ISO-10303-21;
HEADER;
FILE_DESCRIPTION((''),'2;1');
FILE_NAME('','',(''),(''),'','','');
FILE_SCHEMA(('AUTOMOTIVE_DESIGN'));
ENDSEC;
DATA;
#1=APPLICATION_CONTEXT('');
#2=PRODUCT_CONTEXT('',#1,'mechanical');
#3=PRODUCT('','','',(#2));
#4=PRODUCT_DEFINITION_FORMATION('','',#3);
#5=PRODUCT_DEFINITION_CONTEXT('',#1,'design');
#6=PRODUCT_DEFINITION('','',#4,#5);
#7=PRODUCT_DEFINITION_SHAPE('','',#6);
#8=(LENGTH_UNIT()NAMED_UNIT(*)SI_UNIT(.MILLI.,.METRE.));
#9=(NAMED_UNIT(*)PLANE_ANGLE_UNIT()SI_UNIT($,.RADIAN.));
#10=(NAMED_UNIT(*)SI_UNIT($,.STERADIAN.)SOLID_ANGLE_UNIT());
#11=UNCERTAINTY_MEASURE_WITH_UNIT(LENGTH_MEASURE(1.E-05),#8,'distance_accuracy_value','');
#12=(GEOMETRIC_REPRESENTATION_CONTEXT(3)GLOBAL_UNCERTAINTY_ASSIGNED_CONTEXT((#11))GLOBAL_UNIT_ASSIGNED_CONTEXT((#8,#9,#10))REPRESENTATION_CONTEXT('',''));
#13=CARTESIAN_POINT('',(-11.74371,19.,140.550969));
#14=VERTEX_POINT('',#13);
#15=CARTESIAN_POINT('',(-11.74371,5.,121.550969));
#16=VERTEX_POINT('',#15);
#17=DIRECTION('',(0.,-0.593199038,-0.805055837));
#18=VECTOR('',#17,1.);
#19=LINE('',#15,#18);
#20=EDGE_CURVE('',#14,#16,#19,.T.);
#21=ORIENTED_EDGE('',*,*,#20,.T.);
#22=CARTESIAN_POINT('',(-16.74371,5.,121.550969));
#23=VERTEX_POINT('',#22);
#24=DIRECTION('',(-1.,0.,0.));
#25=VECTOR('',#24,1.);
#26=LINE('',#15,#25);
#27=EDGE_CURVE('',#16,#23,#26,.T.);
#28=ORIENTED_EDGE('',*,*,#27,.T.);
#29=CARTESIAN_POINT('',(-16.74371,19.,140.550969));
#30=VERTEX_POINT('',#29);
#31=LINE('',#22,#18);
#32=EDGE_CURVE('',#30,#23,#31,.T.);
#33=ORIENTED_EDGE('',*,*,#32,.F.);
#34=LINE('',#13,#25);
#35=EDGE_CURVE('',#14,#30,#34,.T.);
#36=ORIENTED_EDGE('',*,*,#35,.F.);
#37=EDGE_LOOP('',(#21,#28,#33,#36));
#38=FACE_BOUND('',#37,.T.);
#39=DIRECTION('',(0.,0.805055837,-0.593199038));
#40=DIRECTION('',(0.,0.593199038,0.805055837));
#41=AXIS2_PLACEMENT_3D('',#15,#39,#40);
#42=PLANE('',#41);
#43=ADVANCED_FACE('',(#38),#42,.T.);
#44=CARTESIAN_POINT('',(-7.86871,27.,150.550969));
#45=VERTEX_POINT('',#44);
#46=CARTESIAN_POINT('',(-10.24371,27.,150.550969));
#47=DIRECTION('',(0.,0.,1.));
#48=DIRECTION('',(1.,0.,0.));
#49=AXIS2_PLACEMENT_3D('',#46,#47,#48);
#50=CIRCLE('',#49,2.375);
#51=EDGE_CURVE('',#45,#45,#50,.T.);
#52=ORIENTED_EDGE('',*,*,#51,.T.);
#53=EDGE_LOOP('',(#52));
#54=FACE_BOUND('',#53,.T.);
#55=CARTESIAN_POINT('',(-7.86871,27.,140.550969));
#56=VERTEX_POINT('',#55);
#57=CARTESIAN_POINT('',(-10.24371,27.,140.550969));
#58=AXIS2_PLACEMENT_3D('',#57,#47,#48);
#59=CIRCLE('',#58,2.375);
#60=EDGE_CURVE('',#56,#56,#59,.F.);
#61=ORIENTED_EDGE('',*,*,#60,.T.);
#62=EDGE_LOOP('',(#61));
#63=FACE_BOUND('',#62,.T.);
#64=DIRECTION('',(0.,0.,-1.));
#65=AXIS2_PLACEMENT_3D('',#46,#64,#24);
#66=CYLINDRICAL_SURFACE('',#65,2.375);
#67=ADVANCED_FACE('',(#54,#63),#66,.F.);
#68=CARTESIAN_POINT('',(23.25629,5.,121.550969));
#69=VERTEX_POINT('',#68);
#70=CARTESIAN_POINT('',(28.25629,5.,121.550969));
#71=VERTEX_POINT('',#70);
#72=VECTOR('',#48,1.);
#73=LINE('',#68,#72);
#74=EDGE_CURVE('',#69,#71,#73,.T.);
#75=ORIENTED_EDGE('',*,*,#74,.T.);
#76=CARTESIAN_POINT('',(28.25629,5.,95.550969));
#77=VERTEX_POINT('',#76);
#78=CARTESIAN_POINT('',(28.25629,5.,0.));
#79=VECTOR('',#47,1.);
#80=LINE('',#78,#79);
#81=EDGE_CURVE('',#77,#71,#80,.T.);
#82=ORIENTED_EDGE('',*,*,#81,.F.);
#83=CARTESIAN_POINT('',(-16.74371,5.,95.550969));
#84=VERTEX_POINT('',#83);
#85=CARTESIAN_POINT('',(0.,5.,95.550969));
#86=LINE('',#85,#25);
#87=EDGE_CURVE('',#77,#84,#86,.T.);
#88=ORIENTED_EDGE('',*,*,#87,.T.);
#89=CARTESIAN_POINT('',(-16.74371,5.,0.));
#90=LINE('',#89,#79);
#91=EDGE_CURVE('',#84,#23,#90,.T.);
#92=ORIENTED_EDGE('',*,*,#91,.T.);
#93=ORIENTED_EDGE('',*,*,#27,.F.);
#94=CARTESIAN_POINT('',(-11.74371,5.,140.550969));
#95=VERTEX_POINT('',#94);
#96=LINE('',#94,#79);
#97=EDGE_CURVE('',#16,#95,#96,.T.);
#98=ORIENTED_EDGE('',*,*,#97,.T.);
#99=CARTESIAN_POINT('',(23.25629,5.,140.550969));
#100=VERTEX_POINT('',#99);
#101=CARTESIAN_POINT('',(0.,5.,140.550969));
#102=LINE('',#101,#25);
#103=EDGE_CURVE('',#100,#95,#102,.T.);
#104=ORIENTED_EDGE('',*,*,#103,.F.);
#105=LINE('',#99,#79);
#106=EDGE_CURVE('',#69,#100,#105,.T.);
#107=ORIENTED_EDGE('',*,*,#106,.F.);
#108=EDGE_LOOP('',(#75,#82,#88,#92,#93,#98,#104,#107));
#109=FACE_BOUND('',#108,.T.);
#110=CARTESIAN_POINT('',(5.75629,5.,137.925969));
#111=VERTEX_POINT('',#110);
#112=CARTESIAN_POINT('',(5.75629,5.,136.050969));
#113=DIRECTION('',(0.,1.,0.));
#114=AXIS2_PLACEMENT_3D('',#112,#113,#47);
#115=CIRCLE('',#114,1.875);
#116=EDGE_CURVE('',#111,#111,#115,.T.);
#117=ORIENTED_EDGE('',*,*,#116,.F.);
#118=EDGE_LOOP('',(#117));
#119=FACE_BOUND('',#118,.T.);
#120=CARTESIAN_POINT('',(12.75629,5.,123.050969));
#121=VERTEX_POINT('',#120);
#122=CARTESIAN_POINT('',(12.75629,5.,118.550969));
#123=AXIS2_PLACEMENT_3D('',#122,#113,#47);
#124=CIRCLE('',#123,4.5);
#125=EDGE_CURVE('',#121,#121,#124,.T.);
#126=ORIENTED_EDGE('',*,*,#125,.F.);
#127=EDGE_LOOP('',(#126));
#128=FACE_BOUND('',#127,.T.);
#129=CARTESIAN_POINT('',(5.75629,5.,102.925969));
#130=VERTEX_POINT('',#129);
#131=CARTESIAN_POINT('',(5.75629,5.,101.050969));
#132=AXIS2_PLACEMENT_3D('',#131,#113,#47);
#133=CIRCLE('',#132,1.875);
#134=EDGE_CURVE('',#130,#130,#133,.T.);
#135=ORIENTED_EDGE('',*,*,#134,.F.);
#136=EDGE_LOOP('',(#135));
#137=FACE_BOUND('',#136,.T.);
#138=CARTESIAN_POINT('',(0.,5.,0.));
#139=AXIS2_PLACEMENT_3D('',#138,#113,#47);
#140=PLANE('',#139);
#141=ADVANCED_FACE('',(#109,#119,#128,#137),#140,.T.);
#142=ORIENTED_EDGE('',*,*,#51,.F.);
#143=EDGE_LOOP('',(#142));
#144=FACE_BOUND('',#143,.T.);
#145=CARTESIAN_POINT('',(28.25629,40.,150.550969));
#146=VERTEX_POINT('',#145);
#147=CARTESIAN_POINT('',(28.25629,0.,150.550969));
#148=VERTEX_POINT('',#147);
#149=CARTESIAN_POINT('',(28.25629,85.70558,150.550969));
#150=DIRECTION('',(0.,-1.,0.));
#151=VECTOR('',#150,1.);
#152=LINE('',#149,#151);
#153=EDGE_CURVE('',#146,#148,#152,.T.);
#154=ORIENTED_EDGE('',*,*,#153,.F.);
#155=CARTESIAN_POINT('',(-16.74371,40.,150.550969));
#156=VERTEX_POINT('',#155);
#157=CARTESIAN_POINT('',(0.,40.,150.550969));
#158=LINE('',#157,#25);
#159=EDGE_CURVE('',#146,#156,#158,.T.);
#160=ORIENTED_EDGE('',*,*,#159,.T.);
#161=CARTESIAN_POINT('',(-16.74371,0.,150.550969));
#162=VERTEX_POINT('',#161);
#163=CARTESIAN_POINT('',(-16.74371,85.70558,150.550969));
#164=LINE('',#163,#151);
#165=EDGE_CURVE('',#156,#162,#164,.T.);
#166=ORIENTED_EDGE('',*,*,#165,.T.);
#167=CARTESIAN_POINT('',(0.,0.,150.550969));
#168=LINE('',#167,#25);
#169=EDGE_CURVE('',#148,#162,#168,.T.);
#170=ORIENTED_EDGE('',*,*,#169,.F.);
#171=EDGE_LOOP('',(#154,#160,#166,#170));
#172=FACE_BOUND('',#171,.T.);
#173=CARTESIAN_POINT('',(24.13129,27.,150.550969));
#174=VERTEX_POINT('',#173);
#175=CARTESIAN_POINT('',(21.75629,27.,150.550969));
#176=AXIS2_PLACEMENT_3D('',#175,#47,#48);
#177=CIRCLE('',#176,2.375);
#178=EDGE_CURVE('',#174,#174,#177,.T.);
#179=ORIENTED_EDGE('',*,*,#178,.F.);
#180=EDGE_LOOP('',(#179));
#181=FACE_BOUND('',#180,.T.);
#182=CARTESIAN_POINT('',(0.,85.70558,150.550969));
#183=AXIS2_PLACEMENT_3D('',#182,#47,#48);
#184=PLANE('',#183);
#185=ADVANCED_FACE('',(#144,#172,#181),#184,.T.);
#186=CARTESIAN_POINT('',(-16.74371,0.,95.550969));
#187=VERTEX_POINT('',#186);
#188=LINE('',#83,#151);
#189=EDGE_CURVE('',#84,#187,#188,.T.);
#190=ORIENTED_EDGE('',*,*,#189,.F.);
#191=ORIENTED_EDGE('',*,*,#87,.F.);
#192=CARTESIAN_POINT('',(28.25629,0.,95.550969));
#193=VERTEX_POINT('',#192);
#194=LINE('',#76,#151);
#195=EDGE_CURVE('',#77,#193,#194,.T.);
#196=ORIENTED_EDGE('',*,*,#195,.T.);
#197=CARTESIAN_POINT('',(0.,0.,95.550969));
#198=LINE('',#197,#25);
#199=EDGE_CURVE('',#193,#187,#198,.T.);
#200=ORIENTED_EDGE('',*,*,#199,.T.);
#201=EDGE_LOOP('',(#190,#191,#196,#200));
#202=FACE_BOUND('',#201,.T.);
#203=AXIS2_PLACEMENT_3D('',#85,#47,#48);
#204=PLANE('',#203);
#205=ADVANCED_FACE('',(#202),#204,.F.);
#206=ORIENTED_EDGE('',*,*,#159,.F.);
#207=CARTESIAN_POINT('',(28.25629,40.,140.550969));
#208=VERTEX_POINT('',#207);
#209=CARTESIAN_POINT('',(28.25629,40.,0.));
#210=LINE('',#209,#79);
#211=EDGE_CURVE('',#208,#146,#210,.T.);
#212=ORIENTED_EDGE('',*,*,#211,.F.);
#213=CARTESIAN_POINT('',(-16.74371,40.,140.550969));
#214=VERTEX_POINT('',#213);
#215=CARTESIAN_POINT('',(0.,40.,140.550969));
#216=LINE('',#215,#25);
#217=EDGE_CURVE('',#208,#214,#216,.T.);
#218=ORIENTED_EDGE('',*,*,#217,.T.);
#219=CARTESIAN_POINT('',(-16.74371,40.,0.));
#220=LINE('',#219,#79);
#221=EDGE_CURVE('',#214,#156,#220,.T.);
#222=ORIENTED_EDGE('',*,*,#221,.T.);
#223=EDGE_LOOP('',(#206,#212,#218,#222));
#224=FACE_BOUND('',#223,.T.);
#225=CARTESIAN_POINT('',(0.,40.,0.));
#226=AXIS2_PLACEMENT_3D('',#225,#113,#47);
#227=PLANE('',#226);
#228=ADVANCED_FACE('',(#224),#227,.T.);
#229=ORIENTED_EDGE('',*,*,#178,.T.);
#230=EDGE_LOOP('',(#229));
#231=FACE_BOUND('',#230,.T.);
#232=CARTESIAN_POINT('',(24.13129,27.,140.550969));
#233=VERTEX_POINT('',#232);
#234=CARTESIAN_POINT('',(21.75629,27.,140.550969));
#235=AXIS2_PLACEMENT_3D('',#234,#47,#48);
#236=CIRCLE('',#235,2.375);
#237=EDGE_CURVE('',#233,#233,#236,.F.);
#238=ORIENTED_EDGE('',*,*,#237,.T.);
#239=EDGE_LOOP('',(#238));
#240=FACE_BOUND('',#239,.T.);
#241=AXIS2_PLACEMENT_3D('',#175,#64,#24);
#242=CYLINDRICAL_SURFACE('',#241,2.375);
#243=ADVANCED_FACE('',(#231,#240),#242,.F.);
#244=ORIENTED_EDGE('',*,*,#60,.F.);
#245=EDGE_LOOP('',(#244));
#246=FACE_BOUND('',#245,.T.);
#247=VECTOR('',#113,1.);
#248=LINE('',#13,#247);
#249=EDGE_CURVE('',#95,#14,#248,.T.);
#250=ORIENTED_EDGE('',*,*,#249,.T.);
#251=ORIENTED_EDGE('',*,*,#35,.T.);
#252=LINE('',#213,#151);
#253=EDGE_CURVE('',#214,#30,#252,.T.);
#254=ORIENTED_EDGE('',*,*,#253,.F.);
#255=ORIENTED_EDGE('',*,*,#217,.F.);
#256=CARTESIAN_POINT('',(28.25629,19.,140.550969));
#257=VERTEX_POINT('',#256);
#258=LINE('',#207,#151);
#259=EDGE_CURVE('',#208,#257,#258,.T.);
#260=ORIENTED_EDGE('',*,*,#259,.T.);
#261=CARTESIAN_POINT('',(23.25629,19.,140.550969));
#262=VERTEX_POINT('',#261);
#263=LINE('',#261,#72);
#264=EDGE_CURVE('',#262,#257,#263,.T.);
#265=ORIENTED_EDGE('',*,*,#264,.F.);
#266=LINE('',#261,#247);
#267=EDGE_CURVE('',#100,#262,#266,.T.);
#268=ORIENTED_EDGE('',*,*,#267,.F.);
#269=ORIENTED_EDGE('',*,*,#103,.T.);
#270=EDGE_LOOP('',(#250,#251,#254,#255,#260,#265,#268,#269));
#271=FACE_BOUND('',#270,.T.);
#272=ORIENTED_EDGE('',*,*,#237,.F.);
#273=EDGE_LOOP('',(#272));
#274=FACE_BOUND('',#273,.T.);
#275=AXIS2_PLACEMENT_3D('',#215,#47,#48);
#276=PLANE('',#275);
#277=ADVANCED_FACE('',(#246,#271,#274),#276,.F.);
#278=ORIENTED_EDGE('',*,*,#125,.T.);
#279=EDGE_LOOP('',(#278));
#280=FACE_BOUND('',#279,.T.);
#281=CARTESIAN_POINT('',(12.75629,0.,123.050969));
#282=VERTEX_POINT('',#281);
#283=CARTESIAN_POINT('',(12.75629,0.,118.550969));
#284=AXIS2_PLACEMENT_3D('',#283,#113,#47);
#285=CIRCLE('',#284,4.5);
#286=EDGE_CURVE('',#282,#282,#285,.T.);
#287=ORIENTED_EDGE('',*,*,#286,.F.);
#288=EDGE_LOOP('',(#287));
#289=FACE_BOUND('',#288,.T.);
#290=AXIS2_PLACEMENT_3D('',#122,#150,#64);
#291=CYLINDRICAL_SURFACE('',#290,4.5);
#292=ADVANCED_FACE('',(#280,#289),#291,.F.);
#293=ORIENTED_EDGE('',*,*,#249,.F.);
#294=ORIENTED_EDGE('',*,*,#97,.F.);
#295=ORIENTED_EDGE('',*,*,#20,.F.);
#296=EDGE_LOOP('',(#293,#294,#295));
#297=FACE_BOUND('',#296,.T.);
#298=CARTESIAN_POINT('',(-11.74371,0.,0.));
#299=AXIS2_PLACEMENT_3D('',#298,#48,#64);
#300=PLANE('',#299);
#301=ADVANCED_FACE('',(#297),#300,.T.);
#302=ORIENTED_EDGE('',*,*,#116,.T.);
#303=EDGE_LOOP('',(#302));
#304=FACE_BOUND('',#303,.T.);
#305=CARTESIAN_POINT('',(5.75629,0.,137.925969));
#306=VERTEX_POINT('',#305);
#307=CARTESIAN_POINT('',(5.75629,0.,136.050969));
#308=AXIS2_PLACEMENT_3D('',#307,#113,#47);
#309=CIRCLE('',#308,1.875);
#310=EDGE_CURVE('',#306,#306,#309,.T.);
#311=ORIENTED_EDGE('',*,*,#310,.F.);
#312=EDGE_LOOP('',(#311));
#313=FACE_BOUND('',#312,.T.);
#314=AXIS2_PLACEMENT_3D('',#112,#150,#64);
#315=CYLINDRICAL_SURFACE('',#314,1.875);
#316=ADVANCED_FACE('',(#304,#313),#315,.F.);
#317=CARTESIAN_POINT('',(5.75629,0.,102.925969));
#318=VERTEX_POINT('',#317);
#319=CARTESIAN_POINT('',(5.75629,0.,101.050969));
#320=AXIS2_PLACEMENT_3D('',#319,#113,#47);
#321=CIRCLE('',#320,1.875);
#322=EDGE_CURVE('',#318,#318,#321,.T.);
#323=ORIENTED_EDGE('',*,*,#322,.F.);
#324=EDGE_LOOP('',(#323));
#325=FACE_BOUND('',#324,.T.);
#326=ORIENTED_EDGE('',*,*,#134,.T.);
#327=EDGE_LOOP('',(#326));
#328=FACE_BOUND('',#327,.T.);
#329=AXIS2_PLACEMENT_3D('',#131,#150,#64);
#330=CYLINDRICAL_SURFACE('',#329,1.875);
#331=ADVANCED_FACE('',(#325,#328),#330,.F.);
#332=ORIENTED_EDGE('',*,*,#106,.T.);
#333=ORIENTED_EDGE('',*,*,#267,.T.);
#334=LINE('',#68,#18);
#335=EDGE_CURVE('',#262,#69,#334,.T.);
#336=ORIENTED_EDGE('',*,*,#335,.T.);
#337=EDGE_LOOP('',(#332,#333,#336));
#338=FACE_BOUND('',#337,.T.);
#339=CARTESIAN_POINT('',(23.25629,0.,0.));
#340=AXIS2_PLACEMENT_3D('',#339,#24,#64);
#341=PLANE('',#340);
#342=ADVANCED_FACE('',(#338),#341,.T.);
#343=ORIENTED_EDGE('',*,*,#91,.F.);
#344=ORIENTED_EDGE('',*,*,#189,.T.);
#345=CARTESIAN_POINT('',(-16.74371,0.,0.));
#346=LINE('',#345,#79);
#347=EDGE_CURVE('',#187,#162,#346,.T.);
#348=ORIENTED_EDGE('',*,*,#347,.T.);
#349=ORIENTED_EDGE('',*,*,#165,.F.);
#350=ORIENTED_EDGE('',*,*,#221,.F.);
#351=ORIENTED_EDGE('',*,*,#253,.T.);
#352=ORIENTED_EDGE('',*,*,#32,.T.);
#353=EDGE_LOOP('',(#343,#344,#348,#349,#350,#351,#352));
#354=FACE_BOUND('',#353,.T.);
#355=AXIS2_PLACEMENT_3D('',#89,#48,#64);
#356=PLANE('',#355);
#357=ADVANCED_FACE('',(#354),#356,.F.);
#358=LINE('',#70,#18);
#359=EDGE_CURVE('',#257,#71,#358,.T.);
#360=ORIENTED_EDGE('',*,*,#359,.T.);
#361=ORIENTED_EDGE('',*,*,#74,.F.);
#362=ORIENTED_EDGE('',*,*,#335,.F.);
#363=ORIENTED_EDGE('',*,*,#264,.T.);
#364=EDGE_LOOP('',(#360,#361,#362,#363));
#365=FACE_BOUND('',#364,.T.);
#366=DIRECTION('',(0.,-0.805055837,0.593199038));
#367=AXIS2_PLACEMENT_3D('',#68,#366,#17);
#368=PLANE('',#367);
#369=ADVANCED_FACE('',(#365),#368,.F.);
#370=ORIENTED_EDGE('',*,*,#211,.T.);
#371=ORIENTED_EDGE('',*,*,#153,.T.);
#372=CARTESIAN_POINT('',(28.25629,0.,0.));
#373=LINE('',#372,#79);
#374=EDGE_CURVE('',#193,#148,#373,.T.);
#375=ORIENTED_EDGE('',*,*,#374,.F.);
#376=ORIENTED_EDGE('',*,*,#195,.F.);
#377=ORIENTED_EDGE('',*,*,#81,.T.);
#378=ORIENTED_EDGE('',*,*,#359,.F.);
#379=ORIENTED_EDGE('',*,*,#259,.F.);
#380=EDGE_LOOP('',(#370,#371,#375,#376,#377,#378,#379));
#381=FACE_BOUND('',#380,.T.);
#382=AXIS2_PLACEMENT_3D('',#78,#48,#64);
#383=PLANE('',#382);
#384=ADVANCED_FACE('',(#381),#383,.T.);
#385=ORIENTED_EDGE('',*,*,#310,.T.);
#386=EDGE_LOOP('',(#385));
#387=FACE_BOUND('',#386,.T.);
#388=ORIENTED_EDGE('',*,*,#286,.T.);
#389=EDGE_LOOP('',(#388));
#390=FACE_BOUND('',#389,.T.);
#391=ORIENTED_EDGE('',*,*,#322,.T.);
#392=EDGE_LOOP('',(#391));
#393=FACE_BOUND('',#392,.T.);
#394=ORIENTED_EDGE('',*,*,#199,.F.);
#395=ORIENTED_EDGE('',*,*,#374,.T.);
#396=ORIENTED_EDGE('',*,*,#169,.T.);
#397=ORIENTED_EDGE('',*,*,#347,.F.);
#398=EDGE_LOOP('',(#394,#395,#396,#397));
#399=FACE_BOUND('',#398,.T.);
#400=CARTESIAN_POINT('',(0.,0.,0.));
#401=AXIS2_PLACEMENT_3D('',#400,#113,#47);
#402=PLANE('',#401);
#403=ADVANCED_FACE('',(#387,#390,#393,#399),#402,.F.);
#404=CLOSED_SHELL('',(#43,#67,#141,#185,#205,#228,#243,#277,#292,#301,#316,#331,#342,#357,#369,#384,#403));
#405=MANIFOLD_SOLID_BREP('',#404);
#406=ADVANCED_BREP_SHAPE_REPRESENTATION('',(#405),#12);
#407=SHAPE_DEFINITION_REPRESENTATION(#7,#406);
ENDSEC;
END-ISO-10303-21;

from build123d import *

# Parameters (mm, degrees)
SKETCH7_W               = 45
SKETCH7_H               = 45
SKETCH7_R               = 1.875
SKETCH7_R_2             = 14
SKETCH7_R_3             = 4.5
BOSS_EXTRUDE5_DEPTH     = 5
SKETCH7_3_W             = 45
SKETCH7_3_H             = 2
BOSS_EXTRUDE6_DEPTH     = 40
BOSS_EXTRUDE7_DEPTH     = 5
SKETCH7_4_W             = 45
SKETCH7_4_H             = 8
BOSS_EXTRUDE8_DEPTH     = 40
SKETCH10_R              = 2.375
CUT_EXTRUDE2_DEPTH      = 9
CUT_EXTRUDE2_DEPTH_BACK = 5


with BuildPart() as part:
    # Sketch7 → Boss-Extrude5 (new body)
    with BuildSketch(Plane(origin=(0, 0, 0), x_dir=(1, 0, 0), z_dir=(0, 1, 0))):
        with Locations((5.756289545, -118.050969126)):
            Rectangle(SKETCH7_W, SKETCH7_H)
        with Locations((5.756289545, -136.050969126)):
            Circle(SKETCH7_R, mode=Mode.SUBTRACT)
        with Locations((5.362034713, -118.985312035)):
            Circle(SKETCH7_R_2, mode=Mode.SUBTRACT)
        with Locations((5.756289545, -101.050969126)):
            Circle(SKETCH7_R, mode=Mode.SUBTRACT)
        with Locations((5.362034713, -118.985312035)):
            Circle(SKETCH7_R_2)
        with Locations((12.756289545, -118.550969126)):
            Circle(SKETCH7_R_3, mode=Mode.SUBTRACT)
    extrude(amount=BOSS_EXTRUDE5_DEPTH)

    # Sketch7<3> → Boss-Extrude6 (add)
    with BuildSketch(Plane(origin=(0, 0, 0), x_dir=(1, 0, 0), z_dir=(0, 1, 0))):
        with Locations((5.756289545, -141.550969126)):
            Rectangle(SKETCH7_3_W, SKETCH7_3_H)
    extrude(amount=BOSS_EXTRUDE6_DEPTH)

    # Sketch8 → Boss-Extrude7 (add)
    with BuildSketch(Plane.ZY.offset(16.743710455)):
        Polygon((140.550969126, 11), (140.550969126, 5), (121.550969126, 5), (140.550969126, 19), align=None)
    boss_extrude7 = extrude(amount=-BOSS_EXTRUDE7_DEPTH)

    # Mirror2: Boss-Extrude7 across plane
    add(boss_extrude7.mirror(Plane.ZY.offset(-5.756289545)))

    # Sketch7<4> → Boss-Extrude8 (add)
    with BuildSketch(Plane(origin=(0, 0, 0), x_dir=(1, 0, 0), z_dir=(0, 1, 0))):
        with Locations((5.756289545, -146.550969126)):
            Rectangle(SKETCH7_4_W, SKETCH7_4_H)
    extrude(amount=BOSS_EXTRUDE8_DEPTH)

    # Sketch10 → Cut-Extrude2 (cut, two sides)
    with BuildSketch(Plane.XY.offset(142.550969126)) as cut_extrude2_sk:
        with Locations((21.756289545, 27)):
            Circle(SKETCH10_R)
        with Locations((-10.243710455, 27)):
            Circle(SKETCH10_R)
    extrude(amount=CUT_EXTRUDE2_DEPTH, mode=Mode.SUBTRACT)
    extrude(cut_extrude2_sk.sketch, amount=-CUT_EXTRUDE2_DEPTH_BACK, mode=Mode.SUBTRACT)


solid = part.part
